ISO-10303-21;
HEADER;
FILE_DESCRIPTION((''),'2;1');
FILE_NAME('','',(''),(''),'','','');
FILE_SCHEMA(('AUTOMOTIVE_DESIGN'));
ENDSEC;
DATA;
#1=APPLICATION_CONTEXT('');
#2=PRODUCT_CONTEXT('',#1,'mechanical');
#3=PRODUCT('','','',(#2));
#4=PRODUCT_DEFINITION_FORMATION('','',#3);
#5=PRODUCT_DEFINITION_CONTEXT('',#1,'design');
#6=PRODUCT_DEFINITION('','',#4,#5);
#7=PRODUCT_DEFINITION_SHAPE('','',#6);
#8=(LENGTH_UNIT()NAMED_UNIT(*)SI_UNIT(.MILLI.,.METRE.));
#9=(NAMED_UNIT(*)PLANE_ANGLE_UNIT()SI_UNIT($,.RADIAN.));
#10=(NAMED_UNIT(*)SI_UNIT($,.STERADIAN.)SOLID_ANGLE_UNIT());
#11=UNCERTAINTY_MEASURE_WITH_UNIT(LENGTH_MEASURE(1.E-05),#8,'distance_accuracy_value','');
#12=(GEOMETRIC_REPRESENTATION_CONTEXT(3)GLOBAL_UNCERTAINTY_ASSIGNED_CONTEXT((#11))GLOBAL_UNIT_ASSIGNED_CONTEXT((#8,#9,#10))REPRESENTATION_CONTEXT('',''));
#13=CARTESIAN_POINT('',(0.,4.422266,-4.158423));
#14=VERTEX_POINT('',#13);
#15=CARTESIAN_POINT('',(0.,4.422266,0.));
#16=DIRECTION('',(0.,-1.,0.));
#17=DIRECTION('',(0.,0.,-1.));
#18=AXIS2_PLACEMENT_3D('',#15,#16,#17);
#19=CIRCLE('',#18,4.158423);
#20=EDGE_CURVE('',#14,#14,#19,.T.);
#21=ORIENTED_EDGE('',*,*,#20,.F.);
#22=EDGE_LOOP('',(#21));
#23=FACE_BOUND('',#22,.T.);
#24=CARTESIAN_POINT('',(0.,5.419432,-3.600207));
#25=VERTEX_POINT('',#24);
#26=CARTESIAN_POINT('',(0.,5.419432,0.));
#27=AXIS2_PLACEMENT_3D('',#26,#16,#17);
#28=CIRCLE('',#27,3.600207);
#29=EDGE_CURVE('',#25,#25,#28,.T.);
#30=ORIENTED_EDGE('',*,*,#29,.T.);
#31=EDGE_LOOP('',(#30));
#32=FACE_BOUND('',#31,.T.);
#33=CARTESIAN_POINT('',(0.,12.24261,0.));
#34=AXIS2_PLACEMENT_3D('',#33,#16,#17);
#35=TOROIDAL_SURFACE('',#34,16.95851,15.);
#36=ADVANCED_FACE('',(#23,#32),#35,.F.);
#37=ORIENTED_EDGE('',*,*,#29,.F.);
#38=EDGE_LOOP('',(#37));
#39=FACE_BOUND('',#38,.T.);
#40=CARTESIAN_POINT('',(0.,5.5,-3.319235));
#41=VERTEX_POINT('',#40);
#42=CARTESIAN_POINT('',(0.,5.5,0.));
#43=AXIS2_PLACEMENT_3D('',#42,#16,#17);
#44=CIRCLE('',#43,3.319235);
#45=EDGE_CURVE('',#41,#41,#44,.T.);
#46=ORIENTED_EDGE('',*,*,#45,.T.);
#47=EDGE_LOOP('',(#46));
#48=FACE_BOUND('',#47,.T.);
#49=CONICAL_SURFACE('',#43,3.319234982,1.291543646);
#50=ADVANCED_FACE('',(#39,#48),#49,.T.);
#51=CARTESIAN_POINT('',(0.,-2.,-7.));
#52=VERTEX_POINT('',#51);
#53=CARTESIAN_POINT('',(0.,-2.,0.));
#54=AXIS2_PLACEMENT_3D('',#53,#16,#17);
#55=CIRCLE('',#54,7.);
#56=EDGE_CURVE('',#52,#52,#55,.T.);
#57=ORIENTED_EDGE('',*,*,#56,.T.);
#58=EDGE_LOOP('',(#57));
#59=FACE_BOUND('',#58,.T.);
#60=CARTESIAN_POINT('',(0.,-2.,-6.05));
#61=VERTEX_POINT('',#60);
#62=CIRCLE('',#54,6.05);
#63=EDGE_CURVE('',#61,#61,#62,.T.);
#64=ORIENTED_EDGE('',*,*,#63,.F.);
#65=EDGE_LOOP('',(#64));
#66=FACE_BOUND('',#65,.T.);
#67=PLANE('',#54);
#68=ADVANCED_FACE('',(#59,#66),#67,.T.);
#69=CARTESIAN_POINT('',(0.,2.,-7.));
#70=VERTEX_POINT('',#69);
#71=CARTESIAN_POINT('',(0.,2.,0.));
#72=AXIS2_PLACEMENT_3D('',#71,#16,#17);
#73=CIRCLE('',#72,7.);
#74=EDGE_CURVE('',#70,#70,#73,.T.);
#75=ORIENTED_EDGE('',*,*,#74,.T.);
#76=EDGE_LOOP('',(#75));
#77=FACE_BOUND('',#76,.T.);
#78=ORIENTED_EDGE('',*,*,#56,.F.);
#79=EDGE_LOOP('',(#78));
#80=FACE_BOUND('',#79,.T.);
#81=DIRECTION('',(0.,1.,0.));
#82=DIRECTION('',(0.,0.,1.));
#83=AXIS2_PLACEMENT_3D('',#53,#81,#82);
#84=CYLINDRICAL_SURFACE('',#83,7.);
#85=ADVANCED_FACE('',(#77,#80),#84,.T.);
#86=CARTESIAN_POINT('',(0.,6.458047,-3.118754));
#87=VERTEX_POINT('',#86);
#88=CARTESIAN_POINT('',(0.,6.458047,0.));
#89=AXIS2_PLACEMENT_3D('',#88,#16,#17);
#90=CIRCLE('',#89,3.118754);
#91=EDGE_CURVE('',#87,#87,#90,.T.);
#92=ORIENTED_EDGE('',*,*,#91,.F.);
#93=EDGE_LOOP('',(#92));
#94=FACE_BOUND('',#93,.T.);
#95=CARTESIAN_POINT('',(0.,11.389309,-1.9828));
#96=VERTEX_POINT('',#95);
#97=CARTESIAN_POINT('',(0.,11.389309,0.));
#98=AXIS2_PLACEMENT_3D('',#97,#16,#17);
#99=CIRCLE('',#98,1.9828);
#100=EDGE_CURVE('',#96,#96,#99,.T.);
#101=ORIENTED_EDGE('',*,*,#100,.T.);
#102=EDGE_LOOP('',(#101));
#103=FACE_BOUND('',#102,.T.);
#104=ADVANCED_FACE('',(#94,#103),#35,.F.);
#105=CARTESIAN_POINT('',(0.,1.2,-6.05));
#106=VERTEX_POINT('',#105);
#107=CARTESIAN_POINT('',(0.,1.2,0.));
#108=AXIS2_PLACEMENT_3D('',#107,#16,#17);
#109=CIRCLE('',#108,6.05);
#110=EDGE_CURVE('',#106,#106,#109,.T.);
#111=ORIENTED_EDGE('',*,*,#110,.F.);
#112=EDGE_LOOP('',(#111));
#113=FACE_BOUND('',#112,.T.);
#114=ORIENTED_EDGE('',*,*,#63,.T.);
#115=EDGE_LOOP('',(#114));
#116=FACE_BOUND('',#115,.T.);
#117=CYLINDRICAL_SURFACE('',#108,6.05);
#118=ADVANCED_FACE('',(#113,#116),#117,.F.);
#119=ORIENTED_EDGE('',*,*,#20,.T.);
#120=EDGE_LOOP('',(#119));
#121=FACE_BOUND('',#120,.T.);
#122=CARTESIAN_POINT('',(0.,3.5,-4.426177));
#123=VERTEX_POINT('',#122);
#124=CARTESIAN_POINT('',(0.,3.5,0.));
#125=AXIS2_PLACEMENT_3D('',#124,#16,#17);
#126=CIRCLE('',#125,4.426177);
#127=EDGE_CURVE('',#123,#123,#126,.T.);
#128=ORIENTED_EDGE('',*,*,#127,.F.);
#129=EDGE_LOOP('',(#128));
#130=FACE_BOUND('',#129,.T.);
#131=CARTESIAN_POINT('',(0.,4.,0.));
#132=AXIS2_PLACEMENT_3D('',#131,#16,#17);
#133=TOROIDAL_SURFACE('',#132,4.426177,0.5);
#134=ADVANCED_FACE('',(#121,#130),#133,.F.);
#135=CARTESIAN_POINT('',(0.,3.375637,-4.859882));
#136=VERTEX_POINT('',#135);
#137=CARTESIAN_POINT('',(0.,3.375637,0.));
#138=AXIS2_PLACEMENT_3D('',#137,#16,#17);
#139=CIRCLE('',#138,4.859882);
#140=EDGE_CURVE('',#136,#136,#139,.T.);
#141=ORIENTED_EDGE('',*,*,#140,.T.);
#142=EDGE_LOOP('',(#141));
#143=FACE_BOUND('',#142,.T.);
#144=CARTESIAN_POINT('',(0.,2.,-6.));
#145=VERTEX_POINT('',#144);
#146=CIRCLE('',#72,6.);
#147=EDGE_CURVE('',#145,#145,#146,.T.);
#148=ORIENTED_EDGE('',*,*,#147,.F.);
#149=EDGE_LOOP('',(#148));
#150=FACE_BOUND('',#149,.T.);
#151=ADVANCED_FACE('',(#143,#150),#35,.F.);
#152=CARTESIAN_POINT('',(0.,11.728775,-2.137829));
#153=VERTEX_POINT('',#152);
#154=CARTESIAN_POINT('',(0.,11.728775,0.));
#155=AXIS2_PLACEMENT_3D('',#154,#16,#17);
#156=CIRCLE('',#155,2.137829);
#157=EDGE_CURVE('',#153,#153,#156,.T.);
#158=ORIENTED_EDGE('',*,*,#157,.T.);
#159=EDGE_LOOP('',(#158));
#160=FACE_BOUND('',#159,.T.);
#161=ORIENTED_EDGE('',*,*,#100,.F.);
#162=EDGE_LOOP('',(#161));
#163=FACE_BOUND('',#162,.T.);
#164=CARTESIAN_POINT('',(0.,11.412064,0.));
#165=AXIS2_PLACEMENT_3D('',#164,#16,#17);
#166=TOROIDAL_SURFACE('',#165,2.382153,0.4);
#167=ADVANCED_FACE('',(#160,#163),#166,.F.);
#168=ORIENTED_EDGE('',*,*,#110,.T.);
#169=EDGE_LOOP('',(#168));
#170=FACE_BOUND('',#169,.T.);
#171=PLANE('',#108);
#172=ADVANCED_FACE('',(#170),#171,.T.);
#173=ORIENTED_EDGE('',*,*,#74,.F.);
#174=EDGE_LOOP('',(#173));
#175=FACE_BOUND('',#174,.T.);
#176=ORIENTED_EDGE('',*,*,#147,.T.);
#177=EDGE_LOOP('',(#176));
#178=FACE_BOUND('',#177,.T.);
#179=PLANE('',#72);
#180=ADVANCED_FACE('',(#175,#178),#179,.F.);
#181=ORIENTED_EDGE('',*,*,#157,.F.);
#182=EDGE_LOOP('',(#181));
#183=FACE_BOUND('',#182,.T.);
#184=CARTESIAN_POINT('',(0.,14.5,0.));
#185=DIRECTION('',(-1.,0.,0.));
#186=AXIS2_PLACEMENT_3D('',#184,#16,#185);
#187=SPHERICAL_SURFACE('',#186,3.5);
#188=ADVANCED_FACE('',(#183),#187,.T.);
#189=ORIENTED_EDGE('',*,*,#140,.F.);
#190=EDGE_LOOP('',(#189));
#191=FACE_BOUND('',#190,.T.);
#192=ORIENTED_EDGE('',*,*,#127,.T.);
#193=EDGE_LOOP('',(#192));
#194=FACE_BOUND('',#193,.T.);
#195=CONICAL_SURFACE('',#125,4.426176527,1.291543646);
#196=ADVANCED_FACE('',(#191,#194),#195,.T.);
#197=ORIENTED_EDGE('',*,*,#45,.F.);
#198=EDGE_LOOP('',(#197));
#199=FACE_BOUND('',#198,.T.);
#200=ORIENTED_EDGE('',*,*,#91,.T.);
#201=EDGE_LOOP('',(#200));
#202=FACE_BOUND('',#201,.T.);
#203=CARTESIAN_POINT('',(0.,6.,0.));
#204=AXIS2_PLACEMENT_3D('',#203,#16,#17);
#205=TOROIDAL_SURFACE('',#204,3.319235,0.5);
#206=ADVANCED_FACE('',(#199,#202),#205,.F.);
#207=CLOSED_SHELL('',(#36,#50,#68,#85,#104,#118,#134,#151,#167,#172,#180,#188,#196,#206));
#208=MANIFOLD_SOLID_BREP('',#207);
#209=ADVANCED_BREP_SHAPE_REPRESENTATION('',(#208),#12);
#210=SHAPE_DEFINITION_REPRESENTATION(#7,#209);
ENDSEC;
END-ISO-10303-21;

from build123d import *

# Parameters (mm, degrees)
SKETCH3_R           = 7
BOSS_EXTRUDE1_DEPTH = 2
BOSS_EXTRUDE2_START = -2
SKETCH3_3_R         = 7
BOSS_EXTRUDE2_DEPTH = 2
SKETCH5_R           = 6.05
CUT_EXTRUDE1_DEPTH  = 3.2


with BuildPart() as part:
    # Esboço1 → Revolução1 (revolve)
    with BuildSketch(Plane.XY):
        with BuildLine():
            Line((-6, 0), (0, 0))
            Line((0, 0), (0, 18))
            ThreePointArc((0, 18), (-3.312799908, 15.629316948), (-2.13782919, 11.728775297))
            ThreePointArc((-2.13782919, 11.728775297), (-2.018299709, 11.578229866), (-1.98280027, 11.389309212))
            ThreePointArc((-1.98280027, 11.389309212), (-2.341324967, 8.875429394), (-3.118754256, 6.458047463))
            ThreePointArc((-3.118754256, 6.458047463), (-2.829835487, 5.897588408), (-3.319234982, 5.5))
            Line((-3.319234982, 5.5), (-3.6002073, 5.419432484))
            ThreePointArc((-3.6002073, 5.419432484), (-3.869815727, 4.915531149), (-4.158423427, 4.422265648))
            ThreePointArc((-4.158423427, 4.422265648), (-3.946003212, 3.860595596), (-4.426176527, 3.5))
            Line((-4.426176527, 3.5), (-4.85988246, 3.375636825))
            ThreePointArc((-4.85988246, 3.375636825), (-5.409441117, 2.670828072), (-6, 2))
            Line((-6, 2), (-6, 0))
        make_face()
    revolve(axis=Axis((0, -3.799835873, 0), (0, 1, 0)))

    # Sketch3 → Boss-Extrude1 (add)
    with BuildSketch(Plane.XZ):
        Circle(SKETCH3_R)
    extrude(amount=BOSS_EXTRUDE1_DEPTH)

    # Sketch3<3> → Boss-Extrude2 (add)
    with BuildSketch(Plane.XZ.offset(BOSS_EXTRUDE2_START)):
        Circle(SKETCH3_3_R)
    extrude(amount=BOSS_EXTRUDE2_DEPTH)

    # Sketch5 → Cut-Extrude1 (cut)
    with BuildSketch(Plane.XZ.offset(2)):
        Circle(SKETCH5_R)
    extrude(amount=-CUT_EXTRUDE1_DEPTH, mode=Mode.SUBTRACT)


solid = part.part
